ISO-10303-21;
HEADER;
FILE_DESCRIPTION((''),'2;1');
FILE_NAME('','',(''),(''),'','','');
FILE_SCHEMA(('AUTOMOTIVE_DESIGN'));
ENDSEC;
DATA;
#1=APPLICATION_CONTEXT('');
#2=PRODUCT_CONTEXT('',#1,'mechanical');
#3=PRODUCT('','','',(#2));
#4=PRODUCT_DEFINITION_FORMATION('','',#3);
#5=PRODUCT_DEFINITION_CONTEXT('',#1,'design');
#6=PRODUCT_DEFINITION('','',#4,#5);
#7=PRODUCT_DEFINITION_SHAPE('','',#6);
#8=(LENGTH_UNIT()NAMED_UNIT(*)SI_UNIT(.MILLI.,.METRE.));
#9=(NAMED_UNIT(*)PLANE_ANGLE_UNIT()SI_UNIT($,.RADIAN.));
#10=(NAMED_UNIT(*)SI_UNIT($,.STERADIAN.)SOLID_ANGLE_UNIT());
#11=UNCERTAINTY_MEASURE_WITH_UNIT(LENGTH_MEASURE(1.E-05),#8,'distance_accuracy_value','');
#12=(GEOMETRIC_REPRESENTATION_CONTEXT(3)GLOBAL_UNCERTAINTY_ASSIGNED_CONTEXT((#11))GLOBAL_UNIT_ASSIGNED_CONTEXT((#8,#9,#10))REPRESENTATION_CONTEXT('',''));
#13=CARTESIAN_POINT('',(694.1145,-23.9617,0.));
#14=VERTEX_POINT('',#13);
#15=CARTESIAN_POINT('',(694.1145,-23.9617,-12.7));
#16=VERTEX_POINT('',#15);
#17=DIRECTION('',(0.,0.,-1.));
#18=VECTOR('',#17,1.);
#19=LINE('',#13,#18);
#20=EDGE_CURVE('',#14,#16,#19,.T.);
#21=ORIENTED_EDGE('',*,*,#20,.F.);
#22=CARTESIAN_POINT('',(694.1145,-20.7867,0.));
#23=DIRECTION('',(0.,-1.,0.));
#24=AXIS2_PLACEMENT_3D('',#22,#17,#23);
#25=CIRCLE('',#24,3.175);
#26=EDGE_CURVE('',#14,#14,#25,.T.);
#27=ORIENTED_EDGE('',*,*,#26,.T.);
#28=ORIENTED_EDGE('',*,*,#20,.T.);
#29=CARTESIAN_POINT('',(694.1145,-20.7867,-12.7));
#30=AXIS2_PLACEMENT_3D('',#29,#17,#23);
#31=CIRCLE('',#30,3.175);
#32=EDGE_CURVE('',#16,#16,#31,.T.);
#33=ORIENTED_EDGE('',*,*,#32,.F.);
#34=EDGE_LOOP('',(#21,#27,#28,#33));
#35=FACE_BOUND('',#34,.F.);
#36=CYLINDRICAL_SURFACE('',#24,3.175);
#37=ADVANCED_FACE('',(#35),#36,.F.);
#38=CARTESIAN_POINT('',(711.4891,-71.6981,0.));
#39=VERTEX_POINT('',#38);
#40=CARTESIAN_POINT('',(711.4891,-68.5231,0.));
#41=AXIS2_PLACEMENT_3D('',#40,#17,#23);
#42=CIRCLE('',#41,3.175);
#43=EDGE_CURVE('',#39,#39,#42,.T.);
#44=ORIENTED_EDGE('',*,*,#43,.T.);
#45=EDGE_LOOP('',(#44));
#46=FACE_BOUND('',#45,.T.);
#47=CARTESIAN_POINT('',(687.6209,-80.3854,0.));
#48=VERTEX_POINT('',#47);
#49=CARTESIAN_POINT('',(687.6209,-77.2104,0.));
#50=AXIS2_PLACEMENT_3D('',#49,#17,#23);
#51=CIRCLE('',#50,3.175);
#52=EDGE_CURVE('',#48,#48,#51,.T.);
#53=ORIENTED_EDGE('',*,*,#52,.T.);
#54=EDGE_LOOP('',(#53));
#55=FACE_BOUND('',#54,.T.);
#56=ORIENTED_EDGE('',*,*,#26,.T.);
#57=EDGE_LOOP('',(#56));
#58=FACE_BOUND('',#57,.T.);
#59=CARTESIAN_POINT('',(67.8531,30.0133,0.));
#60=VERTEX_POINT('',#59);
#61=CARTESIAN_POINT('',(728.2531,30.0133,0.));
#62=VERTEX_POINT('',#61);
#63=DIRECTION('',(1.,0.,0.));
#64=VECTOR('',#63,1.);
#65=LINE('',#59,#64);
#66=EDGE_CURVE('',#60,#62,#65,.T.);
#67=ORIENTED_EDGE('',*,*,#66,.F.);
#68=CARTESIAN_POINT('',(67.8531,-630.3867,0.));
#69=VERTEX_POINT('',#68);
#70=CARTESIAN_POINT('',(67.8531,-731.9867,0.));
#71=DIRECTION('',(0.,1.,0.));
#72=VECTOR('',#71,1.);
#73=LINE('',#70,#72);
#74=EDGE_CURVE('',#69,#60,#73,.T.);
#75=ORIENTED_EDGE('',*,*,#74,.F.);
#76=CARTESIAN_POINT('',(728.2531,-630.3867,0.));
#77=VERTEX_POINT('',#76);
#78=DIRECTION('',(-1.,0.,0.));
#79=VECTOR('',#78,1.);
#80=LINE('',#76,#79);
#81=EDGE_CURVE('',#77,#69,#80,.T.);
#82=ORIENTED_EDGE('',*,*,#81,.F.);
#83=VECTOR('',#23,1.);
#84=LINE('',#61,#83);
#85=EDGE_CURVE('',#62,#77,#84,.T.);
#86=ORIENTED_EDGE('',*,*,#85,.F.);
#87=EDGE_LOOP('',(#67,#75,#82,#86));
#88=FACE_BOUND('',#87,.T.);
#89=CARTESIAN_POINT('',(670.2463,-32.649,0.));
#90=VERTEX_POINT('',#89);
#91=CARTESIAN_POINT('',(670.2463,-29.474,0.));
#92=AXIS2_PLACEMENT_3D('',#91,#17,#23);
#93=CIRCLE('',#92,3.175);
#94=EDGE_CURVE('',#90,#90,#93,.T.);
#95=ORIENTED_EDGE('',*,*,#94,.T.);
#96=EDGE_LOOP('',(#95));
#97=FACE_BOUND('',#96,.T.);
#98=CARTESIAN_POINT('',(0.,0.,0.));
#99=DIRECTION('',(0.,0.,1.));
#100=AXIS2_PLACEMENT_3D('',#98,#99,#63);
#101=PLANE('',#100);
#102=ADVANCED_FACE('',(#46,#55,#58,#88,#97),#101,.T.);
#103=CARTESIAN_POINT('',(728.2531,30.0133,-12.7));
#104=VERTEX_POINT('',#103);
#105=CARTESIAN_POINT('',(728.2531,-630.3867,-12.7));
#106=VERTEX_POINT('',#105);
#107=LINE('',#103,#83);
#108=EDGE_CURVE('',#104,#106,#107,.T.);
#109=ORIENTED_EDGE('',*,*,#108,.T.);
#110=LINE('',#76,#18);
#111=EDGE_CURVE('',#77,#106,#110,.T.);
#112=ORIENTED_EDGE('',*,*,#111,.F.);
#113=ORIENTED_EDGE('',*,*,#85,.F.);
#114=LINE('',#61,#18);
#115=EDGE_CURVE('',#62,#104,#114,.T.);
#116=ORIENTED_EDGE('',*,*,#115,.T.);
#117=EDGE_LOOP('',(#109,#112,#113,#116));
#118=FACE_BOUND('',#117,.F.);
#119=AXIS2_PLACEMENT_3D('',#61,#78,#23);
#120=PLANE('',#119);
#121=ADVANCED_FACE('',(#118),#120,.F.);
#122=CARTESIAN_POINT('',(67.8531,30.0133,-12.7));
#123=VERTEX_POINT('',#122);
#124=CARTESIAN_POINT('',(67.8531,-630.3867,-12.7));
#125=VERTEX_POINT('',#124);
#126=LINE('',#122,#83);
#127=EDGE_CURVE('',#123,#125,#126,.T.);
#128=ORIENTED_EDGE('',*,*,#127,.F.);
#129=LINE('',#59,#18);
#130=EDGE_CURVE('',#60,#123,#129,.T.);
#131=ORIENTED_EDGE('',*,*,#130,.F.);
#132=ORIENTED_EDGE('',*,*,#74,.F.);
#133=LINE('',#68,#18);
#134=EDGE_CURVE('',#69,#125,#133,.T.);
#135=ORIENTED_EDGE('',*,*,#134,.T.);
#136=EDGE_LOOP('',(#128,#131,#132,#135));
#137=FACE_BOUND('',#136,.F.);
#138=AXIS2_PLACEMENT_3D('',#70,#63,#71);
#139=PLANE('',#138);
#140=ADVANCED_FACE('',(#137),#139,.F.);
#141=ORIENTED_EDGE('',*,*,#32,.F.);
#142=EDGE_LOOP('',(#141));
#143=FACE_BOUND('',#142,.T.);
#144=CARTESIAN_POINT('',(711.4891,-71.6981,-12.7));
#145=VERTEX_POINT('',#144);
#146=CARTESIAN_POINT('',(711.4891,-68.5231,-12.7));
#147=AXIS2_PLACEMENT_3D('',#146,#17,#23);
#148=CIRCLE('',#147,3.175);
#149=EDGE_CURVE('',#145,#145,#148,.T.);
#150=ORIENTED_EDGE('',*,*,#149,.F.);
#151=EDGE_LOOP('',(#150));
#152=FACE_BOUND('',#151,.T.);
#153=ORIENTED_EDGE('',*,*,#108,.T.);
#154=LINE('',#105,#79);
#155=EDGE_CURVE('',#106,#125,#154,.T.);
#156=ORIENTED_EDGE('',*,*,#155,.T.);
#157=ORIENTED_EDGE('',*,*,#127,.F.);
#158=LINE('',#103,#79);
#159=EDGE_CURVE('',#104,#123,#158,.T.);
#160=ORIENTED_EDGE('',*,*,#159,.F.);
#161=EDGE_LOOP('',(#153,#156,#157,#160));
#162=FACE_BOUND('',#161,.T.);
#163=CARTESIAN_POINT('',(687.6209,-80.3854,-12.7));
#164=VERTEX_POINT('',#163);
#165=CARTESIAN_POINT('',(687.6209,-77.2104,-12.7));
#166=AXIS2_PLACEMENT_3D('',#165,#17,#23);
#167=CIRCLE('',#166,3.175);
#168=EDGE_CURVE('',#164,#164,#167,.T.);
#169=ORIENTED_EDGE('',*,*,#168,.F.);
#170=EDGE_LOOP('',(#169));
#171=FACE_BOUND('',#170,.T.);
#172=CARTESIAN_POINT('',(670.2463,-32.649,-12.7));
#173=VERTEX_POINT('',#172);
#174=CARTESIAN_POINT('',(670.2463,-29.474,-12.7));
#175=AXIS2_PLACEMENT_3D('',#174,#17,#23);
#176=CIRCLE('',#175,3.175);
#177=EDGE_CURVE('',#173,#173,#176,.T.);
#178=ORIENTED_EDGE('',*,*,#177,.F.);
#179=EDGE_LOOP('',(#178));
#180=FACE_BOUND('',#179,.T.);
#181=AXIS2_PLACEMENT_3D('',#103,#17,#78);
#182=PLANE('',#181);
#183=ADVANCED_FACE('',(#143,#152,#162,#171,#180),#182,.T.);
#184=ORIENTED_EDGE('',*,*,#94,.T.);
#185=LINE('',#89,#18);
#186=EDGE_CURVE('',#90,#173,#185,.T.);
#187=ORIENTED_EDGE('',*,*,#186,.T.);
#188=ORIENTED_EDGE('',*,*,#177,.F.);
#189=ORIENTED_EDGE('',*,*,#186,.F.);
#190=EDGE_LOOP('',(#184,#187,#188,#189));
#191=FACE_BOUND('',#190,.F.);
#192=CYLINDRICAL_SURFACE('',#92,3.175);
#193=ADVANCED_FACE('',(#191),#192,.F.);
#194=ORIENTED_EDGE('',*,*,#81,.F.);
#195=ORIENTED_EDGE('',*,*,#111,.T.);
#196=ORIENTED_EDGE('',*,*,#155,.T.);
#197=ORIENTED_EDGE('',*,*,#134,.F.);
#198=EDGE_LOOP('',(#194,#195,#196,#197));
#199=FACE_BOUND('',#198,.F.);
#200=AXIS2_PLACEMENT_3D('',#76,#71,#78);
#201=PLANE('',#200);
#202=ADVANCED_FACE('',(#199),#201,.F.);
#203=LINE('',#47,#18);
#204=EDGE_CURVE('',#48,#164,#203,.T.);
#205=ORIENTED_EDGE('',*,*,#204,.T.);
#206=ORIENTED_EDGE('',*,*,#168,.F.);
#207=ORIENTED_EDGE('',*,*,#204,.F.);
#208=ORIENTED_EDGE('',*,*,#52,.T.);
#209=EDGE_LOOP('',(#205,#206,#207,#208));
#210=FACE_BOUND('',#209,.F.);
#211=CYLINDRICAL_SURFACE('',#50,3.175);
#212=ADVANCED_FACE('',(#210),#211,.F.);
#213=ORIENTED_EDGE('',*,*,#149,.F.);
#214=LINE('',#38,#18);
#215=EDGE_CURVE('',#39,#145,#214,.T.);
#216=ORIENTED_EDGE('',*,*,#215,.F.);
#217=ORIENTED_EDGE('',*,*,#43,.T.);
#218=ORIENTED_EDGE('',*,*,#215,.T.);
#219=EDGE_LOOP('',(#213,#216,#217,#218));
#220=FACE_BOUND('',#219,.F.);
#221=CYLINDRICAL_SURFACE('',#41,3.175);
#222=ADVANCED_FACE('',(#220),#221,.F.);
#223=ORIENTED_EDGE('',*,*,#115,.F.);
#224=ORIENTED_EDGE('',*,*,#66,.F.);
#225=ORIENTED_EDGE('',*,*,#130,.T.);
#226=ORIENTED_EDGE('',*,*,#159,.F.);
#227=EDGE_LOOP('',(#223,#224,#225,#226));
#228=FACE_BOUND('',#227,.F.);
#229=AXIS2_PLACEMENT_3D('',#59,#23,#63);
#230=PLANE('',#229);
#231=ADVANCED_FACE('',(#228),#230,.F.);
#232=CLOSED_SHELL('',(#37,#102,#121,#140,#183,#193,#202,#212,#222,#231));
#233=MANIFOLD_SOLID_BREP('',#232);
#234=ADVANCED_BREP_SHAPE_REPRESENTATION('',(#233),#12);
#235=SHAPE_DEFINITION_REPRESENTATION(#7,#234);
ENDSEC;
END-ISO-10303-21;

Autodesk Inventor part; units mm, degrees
ref_plane "YZ Plane" through (0, 0, 0) normal (1, 0, 0) x (0, 1, 0)
ref_plane "XZ Plane" through (0, 0, 0) normal (0, 1, 0) x (-1, 0, 0)
ref_plane "XY Plane" through (0, 0, 0) normal (0, 0, 1) x (1, 0, 0)
sketch "Sketch1" plane through (0, 0, 0) normal (0, 0, 1) x (1, 0, 0)
  line L0 (67.8531, 30.0133) -> (728.2531, 30.0133)
  line L1 (728.2531, 30.0133) -> (728.2531, -731.9867)
  line L2 (728.2531, -731.9867) -> (67.8531, -731.9867)
  line L3 (67.8531, -731.9867) -> (67.8531, 30.0133)
  point P0 (0, 0)
  dimension "d0" = 660.4
  dimension "d1" = 762
extrude "Extrusion1" add sketch "Sketch1" against normal blind 25.4
sketch "Sketch2" plane through (0, 0, 0) normal (0, 0, 1) x (1, 0, 0)
  line L0 (728.2531, 30.0133) -> (728.2531, -731.9867) projected
  line L1 (67.8531, 30.0133) -> (728.2531, 30.0133) projected
  line L2 (670.2463, -29.474) -> (694.1145, -20.7867)
  line L3 (694.1145, -20.7867) -> (711.4891, -68.5231)
  line L4 (711.4891, -68.5231) -> (687.6209, -77.2104)
  line L5 (687.6209, -77.2104) -> (670.2463, -29.474)
  point P0 (0, 0)
  dimension "d29" = 25.4
  dimension "d30" = 50.8
  dimension "d31" = 70
  dimension "d32" = 50.8
  dimension "d33" = 16.764
hole "Hole2" at (670.2463, -29.474, 0) at (694.1145, -20.7867, 0) at (711.4891, -68.5231, 0) at (687.6209, -77.2104, 0) direction (0, 0, -1) diameter 6.35 depth 25.4 tip angle 118
sketch "Sketch3" plane through (0, 0, 0) normal (0, 0, 1) x (1, 0, 0)
  line L0 (728.2531, 30.0133) -> (728.2531, -731.9867) projected
  line L1 (67.8531, -731.9867) -> (728.2531, -731.9867)
  line L2 (728.2531, -731.9867) -> (728.2531, -630.3867)
  line L3 (728.2531, -630.3867) -> (67.8531, -630.3867)
  line L4 (67.8531, -630.3867) -> (67.8531, -731.9867)
  point P0 (0, 0)
  dimension "d41" = 101.6
extrude "Extrusion2" cut sketch "Sketch3" against normal blind 25.4
sketch "Sketch4" plane through (67.8531, 30.0133, 0) normal (0, 1, 0) x (1, 0, 0)
  line L0 (660.4, 0) -> (660.4, 25.4) projected
  line L1 (0, 25.4) -> (660.4, 25.4)
  line L2 (660.4, 25.4) -> (660.4, 12.7)
  line L3 (660.4, 12.7) -> (0, 12.7)
  line L4 (0, 12.7) -> (0, 25.4)
  line L5 (660.4, 25.4) -> (0, 25.4) projected
  line L6 (0, 0) -> (0, 25.4) projected
  line L7 (0, 0) -> (660.4, 0) projected
  line L8 (660.4, 0) -> (660.4, 25.4) projected
  point P0 (-67.8531, 0)
extrude "Extrusion3" cut sketch "Sketch4" against normal blind 762 contours L3 L4 L1 L0
properties part number "ajustableBase w mounting holes"
